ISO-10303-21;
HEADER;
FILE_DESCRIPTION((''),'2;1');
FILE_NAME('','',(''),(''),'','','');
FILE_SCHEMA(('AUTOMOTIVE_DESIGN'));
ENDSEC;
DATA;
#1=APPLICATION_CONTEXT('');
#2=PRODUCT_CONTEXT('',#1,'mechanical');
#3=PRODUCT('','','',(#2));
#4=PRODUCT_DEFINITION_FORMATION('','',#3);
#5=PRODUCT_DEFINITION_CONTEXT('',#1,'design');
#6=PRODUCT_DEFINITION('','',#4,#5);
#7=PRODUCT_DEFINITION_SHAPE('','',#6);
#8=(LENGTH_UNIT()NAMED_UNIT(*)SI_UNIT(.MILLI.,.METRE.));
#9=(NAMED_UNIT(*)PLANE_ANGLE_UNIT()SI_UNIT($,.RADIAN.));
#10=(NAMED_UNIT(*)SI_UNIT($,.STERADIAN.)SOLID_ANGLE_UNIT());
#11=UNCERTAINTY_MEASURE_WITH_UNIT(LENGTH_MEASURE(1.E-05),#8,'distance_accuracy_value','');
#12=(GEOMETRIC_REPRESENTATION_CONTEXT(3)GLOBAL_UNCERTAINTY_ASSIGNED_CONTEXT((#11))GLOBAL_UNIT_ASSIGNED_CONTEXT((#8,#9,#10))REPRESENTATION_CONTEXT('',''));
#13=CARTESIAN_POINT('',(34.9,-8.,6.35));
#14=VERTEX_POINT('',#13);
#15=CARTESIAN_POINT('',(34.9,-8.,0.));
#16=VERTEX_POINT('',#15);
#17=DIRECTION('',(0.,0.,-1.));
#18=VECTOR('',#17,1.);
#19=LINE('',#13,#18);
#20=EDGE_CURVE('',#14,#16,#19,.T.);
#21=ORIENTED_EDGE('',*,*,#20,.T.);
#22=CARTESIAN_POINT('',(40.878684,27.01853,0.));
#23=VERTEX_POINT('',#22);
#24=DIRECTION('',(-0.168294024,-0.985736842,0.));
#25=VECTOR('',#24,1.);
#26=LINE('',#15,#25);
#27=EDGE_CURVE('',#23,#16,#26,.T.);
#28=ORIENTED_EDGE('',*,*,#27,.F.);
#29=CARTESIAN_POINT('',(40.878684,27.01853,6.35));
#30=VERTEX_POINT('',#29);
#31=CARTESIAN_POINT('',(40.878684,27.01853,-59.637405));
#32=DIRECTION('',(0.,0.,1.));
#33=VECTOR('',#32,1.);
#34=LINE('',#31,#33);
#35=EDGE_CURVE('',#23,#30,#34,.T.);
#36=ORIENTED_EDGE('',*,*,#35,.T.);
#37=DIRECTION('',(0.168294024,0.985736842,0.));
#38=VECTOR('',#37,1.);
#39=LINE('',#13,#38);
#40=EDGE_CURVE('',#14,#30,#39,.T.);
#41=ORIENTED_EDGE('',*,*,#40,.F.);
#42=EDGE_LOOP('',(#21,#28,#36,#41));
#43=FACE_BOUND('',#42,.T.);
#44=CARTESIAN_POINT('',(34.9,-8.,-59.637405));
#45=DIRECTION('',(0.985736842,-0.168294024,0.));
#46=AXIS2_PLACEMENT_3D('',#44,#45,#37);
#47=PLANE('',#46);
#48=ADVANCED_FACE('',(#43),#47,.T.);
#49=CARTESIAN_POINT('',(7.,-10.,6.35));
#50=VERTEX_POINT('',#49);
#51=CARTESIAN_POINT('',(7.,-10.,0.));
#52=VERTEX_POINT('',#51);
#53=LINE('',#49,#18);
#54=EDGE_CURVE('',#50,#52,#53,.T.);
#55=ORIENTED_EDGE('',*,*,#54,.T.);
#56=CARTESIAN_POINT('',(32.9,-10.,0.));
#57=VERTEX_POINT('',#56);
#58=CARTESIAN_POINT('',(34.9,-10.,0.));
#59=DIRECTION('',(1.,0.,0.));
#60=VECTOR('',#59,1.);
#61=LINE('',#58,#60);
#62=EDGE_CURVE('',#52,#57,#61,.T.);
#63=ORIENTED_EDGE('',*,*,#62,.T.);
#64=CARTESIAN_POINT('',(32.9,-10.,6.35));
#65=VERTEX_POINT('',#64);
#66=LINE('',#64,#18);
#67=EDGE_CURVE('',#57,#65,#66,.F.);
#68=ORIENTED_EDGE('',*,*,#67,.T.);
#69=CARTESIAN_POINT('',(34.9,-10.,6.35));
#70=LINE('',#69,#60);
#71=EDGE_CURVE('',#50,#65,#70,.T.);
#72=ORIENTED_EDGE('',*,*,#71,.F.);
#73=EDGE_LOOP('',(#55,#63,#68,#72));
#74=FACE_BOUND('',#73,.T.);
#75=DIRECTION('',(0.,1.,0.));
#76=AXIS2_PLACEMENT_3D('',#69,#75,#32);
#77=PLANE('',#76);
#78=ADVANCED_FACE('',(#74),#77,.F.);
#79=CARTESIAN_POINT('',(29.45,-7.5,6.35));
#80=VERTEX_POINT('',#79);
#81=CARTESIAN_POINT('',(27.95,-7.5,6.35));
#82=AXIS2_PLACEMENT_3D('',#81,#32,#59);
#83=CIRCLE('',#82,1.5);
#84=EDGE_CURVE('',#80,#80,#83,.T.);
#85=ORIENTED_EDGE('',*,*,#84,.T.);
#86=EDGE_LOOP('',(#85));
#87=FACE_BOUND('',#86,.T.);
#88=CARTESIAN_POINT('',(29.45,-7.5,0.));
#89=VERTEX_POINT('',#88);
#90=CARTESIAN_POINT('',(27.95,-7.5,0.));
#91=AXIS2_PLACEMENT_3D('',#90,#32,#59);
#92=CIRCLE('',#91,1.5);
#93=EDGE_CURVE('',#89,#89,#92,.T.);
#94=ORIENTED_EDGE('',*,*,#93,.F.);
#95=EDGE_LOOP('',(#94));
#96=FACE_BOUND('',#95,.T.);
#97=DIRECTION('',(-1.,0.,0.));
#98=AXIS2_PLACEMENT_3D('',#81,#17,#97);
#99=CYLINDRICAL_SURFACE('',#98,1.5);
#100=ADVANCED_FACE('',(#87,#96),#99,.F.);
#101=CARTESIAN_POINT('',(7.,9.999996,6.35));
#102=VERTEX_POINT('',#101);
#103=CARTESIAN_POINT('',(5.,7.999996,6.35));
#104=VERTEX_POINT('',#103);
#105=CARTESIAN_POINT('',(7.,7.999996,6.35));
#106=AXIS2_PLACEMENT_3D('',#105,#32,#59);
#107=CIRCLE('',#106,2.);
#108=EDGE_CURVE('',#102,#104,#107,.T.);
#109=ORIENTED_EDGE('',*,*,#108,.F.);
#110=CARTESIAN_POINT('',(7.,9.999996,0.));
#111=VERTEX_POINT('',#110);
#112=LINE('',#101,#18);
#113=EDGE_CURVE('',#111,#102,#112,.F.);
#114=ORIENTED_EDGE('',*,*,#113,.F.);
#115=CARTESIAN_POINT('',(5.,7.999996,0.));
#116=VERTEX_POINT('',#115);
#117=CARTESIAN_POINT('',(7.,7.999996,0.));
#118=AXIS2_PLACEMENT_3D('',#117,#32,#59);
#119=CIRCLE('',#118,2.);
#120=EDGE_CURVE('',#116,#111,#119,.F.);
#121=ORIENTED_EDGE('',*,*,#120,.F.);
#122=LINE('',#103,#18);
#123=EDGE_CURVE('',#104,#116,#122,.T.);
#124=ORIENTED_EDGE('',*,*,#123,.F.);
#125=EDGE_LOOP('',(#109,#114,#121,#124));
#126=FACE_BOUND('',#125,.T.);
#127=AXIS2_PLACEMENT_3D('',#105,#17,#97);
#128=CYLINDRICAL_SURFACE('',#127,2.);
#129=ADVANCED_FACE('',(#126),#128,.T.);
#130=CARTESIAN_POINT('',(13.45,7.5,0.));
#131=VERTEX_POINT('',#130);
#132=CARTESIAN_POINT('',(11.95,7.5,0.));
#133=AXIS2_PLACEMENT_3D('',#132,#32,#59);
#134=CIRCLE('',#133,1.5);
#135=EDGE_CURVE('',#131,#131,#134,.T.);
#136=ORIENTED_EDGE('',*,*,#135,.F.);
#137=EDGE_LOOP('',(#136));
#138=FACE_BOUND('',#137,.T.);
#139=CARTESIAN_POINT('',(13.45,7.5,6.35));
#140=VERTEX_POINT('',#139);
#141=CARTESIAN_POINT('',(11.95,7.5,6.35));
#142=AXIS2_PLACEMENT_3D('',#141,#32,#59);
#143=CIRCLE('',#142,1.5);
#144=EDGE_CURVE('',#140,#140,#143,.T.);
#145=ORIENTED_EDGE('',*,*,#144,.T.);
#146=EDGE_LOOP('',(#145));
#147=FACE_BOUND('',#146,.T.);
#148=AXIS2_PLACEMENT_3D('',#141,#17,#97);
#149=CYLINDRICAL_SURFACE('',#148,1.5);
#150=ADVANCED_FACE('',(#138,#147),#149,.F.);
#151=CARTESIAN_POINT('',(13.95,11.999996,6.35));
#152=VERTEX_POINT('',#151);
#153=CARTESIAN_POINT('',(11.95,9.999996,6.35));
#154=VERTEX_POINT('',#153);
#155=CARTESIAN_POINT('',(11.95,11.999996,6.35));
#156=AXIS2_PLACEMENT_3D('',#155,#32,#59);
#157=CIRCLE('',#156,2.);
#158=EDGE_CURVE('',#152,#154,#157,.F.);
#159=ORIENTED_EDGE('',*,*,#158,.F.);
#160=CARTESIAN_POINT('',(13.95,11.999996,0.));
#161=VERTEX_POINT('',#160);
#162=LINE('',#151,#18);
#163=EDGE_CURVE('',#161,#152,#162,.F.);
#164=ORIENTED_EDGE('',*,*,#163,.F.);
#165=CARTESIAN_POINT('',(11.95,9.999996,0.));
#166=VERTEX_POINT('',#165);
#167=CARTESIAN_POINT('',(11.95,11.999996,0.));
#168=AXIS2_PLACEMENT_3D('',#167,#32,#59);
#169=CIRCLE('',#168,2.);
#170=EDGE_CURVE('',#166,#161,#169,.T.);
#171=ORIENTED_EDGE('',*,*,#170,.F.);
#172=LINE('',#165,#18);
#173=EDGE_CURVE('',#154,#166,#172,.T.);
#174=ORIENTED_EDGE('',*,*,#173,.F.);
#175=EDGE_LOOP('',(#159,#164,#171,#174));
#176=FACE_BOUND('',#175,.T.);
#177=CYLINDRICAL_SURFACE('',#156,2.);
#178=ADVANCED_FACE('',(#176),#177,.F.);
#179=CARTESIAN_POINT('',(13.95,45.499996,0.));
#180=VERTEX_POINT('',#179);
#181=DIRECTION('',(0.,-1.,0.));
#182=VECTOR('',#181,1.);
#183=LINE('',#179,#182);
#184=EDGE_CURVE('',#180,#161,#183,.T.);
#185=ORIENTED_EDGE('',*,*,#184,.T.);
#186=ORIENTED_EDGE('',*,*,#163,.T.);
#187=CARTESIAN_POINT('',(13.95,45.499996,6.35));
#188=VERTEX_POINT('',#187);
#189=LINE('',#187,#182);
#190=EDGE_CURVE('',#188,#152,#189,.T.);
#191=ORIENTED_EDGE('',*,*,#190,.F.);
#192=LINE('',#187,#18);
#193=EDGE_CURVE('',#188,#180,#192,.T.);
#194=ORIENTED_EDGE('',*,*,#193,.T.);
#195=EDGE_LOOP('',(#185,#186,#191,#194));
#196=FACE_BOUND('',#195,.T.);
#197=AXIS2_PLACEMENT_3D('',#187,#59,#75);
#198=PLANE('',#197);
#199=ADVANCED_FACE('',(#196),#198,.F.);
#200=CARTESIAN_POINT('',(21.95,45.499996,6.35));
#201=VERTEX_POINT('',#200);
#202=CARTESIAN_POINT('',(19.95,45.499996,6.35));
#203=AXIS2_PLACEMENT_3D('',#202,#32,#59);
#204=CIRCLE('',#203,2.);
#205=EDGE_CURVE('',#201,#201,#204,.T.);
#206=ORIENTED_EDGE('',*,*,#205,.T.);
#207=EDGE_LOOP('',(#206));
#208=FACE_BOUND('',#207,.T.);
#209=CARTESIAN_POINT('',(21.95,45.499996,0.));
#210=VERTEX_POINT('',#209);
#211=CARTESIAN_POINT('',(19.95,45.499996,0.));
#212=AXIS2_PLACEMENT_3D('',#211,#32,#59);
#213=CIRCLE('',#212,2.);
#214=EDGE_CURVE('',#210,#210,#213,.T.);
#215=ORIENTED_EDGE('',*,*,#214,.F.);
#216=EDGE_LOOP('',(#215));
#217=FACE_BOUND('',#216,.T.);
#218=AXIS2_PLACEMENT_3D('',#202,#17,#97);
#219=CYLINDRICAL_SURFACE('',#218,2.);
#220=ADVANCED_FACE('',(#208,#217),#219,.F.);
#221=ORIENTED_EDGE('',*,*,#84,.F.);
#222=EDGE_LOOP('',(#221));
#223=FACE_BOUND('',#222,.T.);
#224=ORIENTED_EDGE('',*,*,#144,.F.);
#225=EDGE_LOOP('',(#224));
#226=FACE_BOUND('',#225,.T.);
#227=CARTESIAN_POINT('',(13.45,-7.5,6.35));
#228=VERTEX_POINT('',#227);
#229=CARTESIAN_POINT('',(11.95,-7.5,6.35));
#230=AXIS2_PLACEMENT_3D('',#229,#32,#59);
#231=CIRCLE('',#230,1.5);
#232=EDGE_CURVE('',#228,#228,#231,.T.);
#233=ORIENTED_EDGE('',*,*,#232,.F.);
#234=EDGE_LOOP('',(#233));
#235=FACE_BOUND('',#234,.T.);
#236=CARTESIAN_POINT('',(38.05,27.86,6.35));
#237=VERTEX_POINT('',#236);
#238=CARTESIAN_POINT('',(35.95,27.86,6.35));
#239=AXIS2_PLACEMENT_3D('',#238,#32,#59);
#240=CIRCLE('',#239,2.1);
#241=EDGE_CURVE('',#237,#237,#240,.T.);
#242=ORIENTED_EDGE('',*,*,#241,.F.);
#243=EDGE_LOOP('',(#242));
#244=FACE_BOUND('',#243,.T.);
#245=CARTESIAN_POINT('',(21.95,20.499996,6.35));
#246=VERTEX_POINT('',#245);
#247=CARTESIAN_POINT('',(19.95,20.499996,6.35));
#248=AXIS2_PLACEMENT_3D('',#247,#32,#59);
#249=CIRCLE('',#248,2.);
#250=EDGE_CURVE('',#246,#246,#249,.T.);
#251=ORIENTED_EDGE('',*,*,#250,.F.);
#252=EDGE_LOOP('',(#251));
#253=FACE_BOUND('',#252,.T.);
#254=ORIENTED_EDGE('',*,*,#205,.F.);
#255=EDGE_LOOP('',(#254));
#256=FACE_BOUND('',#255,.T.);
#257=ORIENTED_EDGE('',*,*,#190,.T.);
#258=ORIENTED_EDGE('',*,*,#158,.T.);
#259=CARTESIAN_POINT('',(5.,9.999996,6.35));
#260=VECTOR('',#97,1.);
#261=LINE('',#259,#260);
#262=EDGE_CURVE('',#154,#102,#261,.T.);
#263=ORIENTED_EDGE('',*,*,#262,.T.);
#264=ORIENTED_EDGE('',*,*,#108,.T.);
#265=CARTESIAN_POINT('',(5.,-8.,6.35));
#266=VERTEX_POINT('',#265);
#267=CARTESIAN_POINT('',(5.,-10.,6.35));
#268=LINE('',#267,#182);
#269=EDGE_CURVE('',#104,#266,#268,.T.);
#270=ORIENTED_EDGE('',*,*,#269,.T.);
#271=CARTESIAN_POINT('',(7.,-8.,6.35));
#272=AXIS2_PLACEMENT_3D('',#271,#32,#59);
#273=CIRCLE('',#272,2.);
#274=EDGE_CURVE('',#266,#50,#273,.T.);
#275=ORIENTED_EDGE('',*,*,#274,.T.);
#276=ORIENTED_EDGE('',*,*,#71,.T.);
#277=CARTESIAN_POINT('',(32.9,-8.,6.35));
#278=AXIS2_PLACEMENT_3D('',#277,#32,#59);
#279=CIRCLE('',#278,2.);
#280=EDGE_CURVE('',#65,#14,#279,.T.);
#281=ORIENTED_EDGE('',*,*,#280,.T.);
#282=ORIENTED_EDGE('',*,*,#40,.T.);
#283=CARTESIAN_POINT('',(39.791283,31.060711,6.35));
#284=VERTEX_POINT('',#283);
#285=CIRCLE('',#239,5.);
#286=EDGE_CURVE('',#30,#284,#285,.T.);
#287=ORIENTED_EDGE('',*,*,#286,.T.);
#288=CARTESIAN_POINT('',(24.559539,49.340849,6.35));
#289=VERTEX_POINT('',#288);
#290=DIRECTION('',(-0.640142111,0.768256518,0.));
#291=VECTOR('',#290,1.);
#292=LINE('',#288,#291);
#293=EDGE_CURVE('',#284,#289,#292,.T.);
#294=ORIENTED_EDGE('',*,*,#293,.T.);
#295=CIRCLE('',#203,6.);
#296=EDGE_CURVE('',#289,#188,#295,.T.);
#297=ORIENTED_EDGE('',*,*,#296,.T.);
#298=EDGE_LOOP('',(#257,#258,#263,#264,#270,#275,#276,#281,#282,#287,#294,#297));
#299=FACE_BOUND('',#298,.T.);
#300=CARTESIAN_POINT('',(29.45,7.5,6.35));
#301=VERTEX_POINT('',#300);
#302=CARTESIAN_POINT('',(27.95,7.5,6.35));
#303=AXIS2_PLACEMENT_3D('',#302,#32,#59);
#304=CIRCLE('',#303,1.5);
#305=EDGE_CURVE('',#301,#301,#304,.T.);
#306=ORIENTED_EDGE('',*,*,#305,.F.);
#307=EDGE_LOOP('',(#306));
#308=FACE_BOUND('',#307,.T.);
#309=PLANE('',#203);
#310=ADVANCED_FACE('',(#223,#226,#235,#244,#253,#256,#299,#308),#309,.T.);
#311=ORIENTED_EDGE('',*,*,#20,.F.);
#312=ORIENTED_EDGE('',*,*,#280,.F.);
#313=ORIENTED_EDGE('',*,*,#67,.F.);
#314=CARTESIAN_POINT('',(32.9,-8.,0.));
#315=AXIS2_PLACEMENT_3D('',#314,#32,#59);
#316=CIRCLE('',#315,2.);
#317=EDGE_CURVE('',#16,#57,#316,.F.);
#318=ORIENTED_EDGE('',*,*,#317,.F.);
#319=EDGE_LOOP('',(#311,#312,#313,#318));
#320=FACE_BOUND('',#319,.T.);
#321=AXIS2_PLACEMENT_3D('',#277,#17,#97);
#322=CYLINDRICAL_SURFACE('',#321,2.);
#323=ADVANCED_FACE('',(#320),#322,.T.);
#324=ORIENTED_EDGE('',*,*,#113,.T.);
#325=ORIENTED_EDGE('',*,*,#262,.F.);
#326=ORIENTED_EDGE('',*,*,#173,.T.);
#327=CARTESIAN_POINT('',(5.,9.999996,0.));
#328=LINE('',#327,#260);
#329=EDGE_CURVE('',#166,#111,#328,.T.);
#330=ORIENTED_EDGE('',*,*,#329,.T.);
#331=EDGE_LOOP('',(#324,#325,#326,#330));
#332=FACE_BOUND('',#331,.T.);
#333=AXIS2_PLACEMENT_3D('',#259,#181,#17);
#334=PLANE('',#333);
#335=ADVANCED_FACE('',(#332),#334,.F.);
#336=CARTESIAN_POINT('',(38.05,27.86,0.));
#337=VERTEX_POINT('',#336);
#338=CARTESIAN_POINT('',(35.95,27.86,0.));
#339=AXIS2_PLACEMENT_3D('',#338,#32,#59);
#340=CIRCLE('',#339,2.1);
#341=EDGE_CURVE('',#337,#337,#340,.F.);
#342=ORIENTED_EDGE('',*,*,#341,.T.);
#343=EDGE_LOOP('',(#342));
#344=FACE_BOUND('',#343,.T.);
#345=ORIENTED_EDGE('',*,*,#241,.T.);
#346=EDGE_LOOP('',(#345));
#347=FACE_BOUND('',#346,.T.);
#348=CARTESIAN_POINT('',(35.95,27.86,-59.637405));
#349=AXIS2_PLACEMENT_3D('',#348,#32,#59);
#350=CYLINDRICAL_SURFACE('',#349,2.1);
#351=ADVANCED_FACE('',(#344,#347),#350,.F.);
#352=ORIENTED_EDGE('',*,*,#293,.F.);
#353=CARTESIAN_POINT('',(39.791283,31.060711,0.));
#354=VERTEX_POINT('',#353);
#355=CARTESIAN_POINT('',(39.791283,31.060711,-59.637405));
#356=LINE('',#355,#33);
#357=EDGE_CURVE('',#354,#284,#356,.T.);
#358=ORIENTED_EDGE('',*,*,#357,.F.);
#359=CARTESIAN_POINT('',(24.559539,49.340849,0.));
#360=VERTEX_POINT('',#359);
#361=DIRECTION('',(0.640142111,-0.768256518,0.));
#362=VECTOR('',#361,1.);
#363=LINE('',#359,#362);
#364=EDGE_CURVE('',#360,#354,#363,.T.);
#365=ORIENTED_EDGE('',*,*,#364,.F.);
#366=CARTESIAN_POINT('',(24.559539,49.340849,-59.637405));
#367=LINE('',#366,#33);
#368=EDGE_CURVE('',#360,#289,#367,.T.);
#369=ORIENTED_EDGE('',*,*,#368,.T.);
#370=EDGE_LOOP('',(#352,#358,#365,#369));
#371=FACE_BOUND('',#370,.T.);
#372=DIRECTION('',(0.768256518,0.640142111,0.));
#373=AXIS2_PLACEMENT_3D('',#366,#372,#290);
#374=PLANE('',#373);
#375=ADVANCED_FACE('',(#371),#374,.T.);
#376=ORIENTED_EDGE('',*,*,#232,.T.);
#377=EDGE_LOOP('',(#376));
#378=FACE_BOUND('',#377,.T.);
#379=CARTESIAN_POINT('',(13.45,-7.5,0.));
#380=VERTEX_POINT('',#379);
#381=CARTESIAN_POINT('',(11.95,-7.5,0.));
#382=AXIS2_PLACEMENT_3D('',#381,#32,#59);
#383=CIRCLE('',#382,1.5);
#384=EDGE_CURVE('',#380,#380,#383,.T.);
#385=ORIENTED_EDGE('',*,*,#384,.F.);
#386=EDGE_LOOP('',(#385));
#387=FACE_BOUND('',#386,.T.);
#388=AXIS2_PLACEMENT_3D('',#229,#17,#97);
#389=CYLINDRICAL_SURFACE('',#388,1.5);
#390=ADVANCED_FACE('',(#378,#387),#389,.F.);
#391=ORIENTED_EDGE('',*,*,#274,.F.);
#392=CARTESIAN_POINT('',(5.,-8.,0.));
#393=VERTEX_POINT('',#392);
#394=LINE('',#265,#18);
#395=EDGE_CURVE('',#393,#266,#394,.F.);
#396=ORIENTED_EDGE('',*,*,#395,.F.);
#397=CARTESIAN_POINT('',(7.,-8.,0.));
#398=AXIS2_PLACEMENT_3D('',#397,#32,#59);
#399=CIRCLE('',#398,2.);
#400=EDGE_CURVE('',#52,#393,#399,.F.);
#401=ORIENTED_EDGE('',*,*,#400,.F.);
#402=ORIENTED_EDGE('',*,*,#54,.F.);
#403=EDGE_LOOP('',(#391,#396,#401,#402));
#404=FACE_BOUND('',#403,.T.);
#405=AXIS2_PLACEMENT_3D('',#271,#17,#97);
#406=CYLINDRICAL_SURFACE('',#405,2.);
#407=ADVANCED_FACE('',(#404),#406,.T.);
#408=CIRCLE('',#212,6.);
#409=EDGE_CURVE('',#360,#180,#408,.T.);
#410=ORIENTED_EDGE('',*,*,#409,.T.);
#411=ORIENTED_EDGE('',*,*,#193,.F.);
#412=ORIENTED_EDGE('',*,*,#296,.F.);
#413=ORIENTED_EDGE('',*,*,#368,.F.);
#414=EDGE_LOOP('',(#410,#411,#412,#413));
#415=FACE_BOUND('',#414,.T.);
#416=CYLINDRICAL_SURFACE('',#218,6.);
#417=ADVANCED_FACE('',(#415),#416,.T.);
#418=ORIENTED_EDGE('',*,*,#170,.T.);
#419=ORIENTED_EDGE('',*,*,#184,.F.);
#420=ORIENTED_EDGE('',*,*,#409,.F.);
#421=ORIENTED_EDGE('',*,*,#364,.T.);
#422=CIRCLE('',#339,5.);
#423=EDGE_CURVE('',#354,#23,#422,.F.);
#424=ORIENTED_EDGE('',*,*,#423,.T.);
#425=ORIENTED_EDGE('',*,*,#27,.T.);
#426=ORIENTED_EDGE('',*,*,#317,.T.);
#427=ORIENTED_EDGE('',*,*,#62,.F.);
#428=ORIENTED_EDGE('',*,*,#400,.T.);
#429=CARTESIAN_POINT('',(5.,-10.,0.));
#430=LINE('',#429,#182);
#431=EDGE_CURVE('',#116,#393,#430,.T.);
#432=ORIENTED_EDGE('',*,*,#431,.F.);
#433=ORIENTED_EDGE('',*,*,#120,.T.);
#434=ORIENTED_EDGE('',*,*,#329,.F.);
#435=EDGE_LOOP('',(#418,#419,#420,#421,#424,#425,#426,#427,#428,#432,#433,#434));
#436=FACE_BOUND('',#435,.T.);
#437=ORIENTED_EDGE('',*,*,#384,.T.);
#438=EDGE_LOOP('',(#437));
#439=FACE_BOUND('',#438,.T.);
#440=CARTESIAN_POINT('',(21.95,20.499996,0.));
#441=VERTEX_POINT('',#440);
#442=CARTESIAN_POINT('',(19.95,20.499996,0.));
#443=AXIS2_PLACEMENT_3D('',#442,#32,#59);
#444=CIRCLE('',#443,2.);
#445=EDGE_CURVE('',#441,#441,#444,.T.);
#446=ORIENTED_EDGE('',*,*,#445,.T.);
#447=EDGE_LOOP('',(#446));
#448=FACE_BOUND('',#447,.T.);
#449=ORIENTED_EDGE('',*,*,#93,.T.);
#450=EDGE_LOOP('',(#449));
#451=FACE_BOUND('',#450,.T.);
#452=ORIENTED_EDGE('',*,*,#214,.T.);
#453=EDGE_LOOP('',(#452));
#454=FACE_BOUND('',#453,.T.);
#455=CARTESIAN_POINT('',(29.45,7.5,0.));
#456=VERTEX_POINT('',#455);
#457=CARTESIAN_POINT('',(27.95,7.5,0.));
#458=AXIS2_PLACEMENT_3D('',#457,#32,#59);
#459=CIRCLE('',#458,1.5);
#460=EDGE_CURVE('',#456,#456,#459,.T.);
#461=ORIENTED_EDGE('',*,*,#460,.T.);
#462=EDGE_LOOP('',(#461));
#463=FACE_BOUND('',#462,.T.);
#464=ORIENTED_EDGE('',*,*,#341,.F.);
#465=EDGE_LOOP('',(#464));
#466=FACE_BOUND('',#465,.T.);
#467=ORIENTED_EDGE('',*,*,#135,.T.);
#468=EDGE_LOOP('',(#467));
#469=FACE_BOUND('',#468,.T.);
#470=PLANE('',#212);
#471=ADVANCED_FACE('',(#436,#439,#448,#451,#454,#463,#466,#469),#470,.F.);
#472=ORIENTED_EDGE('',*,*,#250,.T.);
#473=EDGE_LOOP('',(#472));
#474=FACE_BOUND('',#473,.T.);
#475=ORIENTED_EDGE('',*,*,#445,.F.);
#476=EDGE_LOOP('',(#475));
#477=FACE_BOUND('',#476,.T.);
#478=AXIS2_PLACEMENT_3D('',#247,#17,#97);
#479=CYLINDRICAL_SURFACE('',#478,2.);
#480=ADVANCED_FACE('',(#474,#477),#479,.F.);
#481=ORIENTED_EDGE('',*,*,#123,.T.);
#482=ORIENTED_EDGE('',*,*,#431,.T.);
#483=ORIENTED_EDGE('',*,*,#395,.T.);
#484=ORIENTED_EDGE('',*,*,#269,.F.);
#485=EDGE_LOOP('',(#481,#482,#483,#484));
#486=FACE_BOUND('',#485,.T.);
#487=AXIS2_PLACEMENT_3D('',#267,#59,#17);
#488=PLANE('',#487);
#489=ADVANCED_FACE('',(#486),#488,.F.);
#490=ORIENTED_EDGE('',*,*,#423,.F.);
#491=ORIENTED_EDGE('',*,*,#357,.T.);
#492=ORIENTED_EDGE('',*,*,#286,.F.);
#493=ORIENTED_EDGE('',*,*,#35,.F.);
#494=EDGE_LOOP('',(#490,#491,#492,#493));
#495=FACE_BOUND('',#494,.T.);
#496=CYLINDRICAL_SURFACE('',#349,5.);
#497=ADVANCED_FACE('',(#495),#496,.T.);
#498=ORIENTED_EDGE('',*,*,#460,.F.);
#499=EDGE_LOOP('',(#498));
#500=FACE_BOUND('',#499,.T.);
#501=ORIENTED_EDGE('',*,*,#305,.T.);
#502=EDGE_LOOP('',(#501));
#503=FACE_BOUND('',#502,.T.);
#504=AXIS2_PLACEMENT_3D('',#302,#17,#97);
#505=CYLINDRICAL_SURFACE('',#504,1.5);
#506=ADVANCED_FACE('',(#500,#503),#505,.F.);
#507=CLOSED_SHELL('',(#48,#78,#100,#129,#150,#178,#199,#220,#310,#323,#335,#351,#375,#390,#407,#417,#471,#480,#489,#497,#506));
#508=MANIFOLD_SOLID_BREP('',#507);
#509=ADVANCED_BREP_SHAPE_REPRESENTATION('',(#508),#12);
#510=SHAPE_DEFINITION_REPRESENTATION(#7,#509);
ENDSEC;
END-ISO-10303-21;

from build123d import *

# Parameters (mm, degrees)
SKETCH1_R           = 1.5
SKETCH1_R_2         = 2
BOSS_EXTRUDE1_DEPTH = 6.35
FILLET1_R           = 2
SKETCH2_R           = 2.1
BOSS_EXTRUDE2_DEPTH = 6.35


with BuildPart() as part:
    # Sketch1 → Boss-Extrude1 (new body)
    with BuildSketch(Plane.XY):
        with BuildLine():
            Line((25.95, 45.499996), (25.95, 9.999996))
            Line((25.95, 9.999996), (34.9, 9.999996))
            Line((34.9, 9.999996), (34.9, -10))
            Line((34.9, -10), (5, -10))
            Line((5, -10), (5, 9.999996))
            Line((5, 9.999996), (13.95, 9.999996))
            Line((13.95, 9.999996), (13.95, 45.499996))
            ThreePointArc((13.95, 45.499996), (19.95, 51.499996), (25.95, 45.499996))
        make_face()
        with Locations((27.95, -7.5)):
            Circle(SKETCH1_R, mode=Mode.SUBTRACT)
        with Locations((11.95, -7.5)):
            Circle(SKETCH1_R, mode=Mode.SUBTRACT)
        with Locations((27.95, 7.5)):
            Circle(SKETCH1_R, mode=Mode.SUBTRACT)
        with Locations((11.95, 7.5)):
            Circle(SKETCH1_R, mode=Mode.SUBTRACT)
        with Locations((19.95, 45.499996)):
            Circle(SKETCH1_R_2, mode=Mode.SUBTRACT)
        with Locations((19.95, 20.499996)):
            Circle(SKETCH1_R_2, mode=Mode.SUBTRACT)
    extrude(amount=BOSS_EXTRUDE1_DEPTH)

    # Fillet1
    fillet1_edges = [part.edges().sort_by_distance(p)[0] for p in [
        (5, 9.999996, 3.175),
        (13.95, 9.999996, 3.175),
        (25.95, 9.999996, 3.175),
        (34.9, 9.999996, 3.175),
        (34.9, -10, 3.175),
        (5, -10, 3.175),
    ]]
    fillet(fillet1_edges, radius=FILLET1_R)

    # Sketch2 → Boss-Extrude2 (add)
    with BuildSketch(Plane.XY.offset(6.35)):
        with BuildLine():
            Line((24.559539107, 49.340848668), (39.791282589, 31.060710557))
            ThreePointArc((39.791282589, 31.060710557), (40.778341906, 29.158889693), (40.87868421, 27.018529882))
            Line((40.87868421, 27.018529882), (34.9, -8))
            Line((34.9, -8), (34.9, 7.999996))
            ThreePointArc((34.9, 7.999996), (34.314213562, 9.414209562), (32.9, 9.999996))
            Line((32.9, 9.999996), (27.95, 9.999996))
            ThreePointArc((27.95, 9.999996), (26.535786438, 10.585782437), (25.95, 11.999996))
            Line((25.95, 11.999996), (25.95, 45.499996))
            ThreePointArc((25.95, 45.499996), (25.591685681, 47.542392308), (24.559539107, 49.340848668))
        make_face()
        with Locations((35.95, 27.86)):
            Circle(SKETCH2_R, mode=Mode.SUBTRACT)
    extrude(amount=-BOSS_EXTRUDE2_DEPTH)


solid = part.part
